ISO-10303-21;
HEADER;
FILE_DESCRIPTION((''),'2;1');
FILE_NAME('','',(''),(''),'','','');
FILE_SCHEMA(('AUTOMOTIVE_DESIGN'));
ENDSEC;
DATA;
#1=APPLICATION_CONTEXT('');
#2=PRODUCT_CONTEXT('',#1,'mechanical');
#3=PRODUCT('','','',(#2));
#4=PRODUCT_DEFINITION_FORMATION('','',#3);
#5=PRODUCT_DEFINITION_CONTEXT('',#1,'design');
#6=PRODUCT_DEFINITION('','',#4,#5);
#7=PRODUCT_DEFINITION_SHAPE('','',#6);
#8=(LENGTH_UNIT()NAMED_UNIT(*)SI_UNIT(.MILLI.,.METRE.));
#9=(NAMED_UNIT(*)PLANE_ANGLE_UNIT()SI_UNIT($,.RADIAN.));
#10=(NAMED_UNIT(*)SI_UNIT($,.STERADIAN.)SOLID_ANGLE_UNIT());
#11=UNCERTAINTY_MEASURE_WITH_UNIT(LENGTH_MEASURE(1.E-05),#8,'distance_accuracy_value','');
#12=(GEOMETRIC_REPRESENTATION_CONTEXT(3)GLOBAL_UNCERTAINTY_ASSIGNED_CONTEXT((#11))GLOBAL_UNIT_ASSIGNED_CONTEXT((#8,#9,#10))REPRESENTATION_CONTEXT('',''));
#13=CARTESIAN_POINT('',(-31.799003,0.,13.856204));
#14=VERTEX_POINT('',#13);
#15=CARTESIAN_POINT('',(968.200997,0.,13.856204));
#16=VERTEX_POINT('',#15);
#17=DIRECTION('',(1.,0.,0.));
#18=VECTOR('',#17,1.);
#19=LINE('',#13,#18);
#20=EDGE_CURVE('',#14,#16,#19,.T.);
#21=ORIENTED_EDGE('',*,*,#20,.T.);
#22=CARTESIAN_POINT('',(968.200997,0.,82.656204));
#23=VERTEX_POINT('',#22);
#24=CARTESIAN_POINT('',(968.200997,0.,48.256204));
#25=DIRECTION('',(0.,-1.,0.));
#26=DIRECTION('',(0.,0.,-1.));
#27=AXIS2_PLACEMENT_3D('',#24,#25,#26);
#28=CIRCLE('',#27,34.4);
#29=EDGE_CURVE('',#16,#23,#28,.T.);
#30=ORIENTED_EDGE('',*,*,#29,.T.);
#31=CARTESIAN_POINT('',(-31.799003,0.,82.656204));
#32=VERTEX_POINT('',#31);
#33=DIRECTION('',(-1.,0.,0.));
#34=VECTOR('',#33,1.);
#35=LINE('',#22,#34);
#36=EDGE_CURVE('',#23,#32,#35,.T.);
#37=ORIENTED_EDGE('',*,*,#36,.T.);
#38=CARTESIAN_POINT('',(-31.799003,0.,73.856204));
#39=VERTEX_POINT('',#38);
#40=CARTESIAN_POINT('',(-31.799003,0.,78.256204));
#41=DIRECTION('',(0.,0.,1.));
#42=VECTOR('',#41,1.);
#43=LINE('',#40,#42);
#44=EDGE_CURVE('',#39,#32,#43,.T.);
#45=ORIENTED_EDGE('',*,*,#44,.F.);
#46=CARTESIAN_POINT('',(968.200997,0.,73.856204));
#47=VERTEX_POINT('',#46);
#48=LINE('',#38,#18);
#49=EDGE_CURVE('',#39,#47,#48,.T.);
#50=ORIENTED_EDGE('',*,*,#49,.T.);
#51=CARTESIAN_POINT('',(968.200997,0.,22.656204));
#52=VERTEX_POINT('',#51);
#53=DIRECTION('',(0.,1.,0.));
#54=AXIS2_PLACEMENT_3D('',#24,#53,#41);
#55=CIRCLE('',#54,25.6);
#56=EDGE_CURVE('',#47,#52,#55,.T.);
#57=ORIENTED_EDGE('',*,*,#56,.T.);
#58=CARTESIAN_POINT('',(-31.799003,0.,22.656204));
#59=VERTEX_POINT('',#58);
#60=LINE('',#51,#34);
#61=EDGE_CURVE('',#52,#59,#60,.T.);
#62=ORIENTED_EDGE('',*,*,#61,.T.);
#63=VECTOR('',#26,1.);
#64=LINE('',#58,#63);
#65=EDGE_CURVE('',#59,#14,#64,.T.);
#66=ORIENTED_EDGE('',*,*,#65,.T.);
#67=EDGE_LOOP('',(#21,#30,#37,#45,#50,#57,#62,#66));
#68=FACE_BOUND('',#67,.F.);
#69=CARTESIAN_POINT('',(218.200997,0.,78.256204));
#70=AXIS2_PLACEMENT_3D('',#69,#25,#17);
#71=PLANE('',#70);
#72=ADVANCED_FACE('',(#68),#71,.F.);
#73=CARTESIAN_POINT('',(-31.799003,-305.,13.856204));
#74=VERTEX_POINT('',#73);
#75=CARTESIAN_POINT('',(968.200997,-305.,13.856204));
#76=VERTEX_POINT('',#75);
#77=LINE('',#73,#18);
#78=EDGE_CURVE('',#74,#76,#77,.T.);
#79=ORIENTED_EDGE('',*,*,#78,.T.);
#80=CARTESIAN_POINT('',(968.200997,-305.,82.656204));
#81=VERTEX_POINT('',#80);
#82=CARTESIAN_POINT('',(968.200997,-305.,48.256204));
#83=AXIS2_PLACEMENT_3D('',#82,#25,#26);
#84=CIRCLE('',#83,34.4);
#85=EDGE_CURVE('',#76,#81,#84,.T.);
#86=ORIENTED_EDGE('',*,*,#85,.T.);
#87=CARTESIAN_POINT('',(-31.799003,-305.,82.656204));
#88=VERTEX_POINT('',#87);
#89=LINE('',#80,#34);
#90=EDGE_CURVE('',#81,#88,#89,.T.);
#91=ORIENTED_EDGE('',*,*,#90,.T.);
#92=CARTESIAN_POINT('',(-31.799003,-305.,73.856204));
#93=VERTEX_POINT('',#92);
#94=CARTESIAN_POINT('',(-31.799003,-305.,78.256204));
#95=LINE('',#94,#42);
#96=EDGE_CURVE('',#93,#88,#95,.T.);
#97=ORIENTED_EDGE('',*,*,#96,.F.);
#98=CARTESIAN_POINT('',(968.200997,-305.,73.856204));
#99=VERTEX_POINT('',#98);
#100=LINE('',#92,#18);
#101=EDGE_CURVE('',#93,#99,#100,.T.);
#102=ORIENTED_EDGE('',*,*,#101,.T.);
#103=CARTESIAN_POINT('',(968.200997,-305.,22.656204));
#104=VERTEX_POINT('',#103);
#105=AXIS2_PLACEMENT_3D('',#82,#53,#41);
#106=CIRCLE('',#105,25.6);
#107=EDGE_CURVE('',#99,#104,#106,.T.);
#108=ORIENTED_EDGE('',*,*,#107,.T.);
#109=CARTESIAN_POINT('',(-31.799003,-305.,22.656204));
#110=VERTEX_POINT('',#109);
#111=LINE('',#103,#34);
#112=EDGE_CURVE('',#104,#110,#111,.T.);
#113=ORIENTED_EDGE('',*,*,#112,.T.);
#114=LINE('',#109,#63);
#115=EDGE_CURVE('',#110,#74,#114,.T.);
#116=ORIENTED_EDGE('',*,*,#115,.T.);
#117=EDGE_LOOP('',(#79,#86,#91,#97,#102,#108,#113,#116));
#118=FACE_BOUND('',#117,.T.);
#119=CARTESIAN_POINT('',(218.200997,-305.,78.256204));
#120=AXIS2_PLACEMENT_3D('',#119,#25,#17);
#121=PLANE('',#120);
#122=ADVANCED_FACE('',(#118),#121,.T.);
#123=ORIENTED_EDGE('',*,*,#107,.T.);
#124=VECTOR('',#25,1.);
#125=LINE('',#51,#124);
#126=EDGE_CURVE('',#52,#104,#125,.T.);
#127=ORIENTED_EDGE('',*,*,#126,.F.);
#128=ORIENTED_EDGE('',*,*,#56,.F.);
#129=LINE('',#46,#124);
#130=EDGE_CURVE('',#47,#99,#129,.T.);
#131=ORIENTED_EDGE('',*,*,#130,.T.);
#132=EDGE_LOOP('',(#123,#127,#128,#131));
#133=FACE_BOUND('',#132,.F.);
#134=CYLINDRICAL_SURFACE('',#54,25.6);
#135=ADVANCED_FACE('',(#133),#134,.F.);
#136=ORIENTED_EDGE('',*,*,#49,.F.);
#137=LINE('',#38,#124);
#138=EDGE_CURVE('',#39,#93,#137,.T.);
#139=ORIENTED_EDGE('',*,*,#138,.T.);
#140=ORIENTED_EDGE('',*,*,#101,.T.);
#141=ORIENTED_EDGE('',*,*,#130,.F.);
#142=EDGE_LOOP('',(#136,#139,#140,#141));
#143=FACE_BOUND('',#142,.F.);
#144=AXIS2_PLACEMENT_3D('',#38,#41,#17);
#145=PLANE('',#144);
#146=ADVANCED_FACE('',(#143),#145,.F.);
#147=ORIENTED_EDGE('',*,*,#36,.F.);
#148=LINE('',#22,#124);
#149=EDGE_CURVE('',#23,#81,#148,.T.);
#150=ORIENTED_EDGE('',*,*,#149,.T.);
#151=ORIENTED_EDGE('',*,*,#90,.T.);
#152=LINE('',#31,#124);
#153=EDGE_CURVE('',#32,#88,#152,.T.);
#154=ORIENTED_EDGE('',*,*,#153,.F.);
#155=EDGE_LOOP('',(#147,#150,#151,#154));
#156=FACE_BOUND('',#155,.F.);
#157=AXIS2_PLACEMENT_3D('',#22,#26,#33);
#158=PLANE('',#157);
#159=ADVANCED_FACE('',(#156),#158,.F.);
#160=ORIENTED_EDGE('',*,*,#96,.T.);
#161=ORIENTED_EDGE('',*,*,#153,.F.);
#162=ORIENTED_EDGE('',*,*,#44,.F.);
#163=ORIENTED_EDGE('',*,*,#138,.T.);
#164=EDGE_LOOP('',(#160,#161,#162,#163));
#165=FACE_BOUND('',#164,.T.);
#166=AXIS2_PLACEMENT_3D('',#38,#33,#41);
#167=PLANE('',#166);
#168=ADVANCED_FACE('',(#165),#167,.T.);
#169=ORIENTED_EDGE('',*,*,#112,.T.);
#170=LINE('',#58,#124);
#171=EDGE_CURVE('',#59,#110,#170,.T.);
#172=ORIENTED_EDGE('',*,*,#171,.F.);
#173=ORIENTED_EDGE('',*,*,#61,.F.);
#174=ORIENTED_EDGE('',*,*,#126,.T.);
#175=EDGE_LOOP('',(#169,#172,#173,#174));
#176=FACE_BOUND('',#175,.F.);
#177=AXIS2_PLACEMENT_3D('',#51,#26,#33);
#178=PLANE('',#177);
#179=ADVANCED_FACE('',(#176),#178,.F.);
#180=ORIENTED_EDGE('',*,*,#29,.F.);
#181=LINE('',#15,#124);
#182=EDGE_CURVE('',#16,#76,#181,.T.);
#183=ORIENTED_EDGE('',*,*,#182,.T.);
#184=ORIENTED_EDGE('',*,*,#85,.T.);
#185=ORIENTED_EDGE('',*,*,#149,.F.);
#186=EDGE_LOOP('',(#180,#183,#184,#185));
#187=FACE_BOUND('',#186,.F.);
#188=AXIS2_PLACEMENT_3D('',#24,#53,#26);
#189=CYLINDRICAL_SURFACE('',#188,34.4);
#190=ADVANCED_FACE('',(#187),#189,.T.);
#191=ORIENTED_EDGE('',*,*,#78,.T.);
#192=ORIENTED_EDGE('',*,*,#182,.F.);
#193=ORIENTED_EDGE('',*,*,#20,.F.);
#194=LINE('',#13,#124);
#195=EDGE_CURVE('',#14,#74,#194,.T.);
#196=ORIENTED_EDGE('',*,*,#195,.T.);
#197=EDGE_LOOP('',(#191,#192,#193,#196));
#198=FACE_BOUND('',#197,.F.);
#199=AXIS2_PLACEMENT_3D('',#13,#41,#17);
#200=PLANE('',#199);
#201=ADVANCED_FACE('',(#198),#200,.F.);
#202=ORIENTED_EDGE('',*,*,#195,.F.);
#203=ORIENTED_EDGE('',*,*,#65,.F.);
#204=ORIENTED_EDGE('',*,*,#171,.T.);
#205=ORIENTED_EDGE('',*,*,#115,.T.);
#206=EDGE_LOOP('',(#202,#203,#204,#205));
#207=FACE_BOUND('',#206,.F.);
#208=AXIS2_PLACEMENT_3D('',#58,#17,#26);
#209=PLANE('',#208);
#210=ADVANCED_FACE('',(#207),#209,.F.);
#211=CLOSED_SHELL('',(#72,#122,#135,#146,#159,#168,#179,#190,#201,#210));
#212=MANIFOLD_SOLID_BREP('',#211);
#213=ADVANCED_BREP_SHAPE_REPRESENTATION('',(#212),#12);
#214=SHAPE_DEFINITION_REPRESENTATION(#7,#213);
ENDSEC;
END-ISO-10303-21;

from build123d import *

# Parameters (mm, degrees)
F0_W     = 500
F0_H     = 8.8
F1_DEPTH = 305


with BuildPart() as f1:
    # F0 (on Front) → F1 (new body)
    with BuildSketch(Plane.XZ):
        with Locations((218.200997, 78.256204)):
            Rectangle(F0_W, F0_H)
        with BuildLine():
            Line((468.200997, 82.656204), (468.200997, 73.856204))
            Line((468.200997, 73.856204), (968.200997, 73.856204))
            ThreePointArc((968.200997, 73.856204), (993.800997, 48.256204), (968.200997, 22.656204))
            Line((968.200997, 22.656204), (834.545441, 22.656204))
            Line((834.545441, 22.656204), (101.856552, 22.656204))
            Line((101.856552, 22.656204), (-31.799003, 22.656204))
            Line((-31.799003, 22.656204), (-31.799003, 13.856204))
            Line((-31.799003, 13.856204), (468.200997, 13.856204))
            Line((468.200997, 13.856204), (968.200997, 13.856204))
            ThreePointArc((968.200997, 13.856204), (1002.600997, 48.256204), (968.200997, 82.656204))
            Line((968.200997, 82.656204), (468.200997, 82.656204))
        make_face()
    extrude(amount=F1_DEPTH)


solid = f1.part
